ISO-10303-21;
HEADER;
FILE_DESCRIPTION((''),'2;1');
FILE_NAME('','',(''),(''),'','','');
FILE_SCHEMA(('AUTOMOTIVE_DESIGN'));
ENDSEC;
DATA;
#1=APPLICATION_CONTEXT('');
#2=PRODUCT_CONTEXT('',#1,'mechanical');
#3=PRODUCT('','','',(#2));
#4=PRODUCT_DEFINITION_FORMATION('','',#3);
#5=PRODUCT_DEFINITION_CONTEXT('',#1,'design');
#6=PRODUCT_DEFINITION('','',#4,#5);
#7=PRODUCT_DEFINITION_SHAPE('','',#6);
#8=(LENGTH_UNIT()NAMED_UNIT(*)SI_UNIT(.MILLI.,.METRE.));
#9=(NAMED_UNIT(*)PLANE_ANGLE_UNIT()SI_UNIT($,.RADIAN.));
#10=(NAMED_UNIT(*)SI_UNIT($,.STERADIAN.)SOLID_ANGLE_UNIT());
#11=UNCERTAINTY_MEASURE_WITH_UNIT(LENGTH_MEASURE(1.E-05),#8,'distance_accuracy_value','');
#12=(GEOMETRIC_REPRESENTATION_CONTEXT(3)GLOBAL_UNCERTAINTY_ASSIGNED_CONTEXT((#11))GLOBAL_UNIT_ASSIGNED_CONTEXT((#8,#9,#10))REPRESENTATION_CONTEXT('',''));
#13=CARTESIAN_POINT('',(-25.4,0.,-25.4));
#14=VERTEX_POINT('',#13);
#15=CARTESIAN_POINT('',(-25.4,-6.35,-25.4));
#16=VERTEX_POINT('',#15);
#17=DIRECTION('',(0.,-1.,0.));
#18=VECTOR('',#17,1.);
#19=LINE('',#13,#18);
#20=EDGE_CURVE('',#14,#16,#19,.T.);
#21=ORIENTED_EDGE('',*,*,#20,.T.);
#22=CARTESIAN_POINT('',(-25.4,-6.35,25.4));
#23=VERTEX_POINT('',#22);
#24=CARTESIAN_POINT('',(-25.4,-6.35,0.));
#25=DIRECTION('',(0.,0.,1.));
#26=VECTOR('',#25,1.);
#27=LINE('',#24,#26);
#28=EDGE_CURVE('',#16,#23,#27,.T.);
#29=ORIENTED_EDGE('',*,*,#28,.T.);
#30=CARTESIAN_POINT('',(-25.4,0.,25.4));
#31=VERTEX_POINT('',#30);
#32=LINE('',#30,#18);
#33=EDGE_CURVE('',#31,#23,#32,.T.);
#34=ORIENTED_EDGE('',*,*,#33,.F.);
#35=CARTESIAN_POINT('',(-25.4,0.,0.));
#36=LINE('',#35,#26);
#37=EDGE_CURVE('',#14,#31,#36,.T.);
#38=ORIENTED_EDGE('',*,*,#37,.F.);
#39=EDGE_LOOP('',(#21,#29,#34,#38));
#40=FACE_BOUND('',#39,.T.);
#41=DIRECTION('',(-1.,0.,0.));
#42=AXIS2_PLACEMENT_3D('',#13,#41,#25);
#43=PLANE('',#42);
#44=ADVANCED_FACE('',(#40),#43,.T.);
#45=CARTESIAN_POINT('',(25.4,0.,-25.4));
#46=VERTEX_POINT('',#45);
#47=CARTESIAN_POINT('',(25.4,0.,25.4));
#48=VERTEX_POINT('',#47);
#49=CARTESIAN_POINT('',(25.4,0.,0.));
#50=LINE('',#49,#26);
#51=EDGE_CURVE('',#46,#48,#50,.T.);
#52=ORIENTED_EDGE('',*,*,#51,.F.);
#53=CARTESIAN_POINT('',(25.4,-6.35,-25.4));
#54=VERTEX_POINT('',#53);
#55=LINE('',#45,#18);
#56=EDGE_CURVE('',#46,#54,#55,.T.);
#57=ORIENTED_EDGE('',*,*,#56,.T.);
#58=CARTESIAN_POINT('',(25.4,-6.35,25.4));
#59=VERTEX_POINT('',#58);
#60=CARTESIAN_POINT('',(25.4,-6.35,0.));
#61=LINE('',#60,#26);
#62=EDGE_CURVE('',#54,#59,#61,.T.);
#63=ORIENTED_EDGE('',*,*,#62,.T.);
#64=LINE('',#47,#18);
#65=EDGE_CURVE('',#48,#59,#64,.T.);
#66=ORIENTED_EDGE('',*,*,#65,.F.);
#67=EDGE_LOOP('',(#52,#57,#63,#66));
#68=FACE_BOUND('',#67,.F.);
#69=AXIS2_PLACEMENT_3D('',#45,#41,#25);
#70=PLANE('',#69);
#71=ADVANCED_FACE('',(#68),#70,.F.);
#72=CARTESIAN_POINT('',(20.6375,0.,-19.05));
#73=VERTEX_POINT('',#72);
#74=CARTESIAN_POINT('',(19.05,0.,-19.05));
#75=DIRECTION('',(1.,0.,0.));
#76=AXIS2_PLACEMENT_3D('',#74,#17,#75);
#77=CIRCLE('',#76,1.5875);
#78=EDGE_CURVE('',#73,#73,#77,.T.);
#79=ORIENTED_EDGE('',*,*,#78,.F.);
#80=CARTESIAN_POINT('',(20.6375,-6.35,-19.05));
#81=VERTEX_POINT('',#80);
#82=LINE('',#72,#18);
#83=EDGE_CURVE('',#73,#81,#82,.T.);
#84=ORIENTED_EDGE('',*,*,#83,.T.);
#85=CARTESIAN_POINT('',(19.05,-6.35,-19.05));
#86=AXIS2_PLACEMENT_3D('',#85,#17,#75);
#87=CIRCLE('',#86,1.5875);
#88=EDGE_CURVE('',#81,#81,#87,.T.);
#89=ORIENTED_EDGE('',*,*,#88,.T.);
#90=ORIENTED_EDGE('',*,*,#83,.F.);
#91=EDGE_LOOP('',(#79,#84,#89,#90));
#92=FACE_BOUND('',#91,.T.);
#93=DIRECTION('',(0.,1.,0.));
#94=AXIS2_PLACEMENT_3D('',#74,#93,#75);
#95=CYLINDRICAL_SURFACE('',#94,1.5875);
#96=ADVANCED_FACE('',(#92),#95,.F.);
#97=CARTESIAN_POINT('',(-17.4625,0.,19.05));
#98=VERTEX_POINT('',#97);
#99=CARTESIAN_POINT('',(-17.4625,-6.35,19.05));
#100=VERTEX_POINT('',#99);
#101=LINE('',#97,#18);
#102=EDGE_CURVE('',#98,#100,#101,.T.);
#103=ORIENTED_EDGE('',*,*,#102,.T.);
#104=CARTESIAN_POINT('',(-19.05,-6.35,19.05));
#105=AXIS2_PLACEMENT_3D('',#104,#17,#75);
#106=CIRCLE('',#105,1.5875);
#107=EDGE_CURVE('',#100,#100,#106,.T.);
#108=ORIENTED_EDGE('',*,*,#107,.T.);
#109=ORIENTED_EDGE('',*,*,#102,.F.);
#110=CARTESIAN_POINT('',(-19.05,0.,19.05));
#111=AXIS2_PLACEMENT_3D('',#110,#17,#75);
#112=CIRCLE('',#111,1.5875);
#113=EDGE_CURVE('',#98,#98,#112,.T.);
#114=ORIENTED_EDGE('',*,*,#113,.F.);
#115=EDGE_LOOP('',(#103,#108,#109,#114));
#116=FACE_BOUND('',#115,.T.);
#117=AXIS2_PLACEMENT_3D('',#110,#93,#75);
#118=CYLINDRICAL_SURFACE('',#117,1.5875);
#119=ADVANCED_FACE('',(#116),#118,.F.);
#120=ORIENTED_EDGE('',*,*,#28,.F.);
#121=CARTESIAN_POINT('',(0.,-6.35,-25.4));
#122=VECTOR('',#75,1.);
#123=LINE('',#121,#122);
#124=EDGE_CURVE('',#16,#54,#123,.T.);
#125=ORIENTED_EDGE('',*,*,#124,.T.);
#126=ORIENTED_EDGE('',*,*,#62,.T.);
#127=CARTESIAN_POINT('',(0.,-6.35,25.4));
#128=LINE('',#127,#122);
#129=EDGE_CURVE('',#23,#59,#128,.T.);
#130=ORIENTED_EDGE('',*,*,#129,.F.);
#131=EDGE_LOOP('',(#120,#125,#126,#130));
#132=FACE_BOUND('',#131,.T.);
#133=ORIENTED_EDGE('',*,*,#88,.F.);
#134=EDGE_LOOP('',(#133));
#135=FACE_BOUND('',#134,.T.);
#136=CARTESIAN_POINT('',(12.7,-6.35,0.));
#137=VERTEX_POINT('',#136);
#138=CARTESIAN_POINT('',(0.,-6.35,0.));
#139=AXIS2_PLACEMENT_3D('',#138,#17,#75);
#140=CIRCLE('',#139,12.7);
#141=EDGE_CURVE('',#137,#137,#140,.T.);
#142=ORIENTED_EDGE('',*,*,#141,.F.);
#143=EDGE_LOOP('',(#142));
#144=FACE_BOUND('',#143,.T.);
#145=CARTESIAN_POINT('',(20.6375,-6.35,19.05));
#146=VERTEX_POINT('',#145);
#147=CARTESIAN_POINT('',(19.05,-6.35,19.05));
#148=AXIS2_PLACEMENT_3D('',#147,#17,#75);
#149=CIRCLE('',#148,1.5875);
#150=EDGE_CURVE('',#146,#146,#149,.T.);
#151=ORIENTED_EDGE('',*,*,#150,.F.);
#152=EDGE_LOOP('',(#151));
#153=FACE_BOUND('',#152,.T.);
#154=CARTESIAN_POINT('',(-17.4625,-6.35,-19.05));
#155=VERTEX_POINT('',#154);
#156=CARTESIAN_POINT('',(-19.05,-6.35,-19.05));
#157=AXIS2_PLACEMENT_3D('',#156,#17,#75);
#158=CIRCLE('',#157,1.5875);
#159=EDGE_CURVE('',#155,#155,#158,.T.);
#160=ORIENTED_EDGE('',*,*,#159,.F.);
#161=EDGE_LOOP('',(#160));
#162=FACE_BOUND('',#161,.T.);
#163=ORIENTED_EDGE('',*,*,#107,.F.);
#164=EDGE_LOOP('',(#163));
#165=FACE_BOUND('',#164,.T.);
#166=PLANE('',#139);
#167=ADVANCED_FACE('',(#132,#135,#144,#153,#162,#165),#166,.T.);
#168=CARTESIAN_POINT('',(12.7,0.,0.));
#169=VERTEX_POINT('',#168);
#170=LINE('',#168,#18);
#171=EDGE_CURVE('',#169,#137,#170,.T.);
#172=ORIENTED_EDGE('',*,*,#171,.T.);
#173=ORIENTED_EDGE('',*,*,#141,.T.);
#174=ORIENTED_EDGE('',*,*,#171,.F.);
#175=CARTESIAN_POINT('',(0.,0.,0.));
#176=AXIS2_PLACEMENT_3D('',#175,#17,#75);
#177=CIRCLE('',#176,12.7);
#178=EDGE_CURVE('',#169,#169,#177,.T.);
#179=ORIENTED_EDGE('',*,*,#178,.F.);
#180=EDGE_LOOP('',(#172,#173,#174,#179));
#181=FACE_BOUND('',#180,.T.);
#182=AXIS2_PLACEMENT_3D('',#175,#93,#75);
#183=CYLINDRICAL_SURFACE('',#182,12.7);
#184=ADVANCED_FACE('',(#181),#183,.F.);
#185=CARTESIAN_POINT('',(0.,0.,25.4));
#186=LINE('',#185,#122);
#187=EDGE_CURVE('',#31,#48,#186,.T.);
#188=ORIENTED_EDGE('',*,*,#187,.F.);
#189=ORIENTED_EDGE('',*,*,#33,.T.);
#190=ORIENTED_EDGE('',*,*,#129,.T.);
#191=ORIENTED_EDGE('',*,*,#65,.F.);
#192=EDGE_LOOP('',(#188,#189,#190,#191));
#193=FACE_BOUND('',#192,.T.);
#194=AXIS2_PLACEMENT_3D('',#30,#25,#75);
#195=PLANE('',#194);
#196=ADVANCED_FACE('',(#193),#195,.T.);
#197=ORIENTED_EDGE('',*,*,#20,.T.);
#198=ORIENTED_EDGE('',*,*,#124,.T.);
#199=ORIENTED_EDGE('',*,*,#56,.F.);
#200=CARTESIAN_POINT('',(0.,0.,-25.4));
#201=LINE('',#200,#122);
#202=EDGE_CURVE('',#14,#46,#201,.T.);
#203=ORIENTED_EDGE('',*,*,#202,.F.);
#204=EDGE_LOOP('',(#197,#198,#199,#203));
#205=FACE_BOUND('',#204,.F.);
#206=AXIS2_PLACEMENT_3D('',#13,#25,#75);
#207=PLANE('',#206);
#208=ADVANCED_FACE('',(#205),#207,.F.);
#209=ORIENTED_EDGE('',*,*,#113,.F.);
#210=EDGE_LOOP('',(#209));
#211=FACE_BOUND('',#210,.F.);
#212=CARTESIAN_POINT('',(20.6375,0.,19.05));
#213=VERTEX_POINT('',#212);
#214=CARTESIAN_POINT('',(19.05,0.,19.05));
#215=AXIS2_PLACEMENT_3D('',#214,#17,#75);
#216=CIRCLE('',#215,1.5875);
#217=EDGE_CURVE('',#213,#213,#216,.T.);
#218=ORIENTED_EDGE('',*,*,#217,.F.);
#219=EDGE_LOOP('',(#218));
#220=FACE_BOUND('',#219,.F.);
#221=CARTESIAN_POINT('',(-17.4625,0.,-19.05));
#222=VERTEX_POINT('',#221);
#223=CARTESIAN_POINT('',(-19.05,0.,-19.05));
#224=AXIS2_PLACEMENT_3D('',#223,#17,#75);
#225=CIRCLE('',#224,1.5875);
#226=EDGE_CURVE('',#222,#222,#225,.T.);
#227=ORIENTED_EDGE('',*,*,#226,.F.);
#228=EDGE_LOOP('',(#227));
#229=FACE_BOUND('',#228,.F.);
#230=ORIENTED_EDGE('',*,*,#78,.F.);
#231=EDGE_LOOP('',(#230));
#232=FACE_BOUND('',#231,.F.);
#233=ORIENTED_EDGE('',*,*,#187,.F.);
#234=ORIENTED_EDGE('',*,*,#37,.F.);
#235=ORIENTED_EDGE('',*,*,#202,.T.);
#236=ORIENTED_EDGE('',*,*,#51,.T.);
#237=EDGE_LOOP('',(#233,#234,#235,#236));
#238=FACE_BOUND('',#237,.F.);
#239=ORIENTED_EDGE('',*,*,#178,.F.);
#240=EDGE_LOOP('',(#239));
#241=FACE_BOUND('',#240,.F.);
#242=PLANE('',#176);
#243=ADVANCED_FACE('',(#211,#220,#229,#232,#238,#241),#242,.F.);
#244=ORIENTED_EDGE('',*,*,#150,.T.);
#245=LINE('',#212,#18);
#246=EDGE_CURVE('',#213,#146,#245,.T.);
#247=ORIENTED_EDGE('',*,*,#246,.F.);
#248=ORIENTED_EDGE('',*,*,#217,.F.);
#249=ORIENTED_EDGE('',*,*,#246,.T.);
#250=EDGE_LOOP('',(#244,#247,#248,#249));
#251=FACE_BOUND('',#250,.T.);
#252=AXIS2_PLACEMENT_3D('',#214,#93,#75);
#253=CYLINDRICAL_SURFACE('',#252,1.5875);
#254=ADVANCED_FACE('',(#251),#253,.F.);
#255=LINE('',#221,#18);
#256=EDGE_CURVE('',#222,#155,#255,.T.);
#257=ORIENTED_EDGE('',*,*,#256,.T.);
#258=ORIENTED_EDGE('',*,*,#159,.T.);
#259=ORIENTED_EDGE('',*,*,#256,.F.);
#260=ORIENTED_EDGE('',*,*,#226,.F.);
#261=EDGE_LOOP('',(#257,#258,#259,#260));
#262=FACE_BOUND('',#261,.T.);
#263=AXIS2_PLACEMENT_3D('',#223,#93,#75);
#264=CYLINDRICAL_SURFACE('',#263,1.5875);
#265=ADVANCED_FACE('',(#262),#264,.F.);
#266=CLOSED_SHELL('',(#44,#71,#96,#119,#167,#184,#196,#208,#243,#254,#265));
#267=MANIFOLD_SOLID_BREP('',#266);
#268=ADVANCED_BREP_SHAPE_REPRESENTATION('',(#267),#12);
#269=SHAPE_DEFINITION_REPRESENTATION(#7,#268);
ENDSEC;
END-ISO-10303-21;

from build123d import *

# Parameters (mm, degrees)
F0_W     = 50.8
F0_H     = 50.8
F0_R     = 1.5875
F0_R_2   = 12.7
F1_DEPTH = 6.35


with BuildPart() as f1:
    # F0 (on Front) → F1 (new body)
    with BuildSketch(Plane.XZ):
        Rectangle(F0_W, F0_H)
        with Locations((-19.05, -19.05)):
            Circle(F0_R, mode=Mode.SUBTRACT)
        Circle(F0_R_2, mode=Mode.SUBTRACT)
        with Locations((19.05, -19.05)):
            Circle(F0_R, mode=Mode.SUBTRACT)
        with Locations((-19.05, 19.05)):
            Circle(F0_R, mode=Mode.SUBTRACT)
        with Locations((19.05, 19.05)):
            Circle(F0_R, mode=Mode.SUBTRACT)
    extrude(amount=F1_DEPTH)


solid = f1.part
